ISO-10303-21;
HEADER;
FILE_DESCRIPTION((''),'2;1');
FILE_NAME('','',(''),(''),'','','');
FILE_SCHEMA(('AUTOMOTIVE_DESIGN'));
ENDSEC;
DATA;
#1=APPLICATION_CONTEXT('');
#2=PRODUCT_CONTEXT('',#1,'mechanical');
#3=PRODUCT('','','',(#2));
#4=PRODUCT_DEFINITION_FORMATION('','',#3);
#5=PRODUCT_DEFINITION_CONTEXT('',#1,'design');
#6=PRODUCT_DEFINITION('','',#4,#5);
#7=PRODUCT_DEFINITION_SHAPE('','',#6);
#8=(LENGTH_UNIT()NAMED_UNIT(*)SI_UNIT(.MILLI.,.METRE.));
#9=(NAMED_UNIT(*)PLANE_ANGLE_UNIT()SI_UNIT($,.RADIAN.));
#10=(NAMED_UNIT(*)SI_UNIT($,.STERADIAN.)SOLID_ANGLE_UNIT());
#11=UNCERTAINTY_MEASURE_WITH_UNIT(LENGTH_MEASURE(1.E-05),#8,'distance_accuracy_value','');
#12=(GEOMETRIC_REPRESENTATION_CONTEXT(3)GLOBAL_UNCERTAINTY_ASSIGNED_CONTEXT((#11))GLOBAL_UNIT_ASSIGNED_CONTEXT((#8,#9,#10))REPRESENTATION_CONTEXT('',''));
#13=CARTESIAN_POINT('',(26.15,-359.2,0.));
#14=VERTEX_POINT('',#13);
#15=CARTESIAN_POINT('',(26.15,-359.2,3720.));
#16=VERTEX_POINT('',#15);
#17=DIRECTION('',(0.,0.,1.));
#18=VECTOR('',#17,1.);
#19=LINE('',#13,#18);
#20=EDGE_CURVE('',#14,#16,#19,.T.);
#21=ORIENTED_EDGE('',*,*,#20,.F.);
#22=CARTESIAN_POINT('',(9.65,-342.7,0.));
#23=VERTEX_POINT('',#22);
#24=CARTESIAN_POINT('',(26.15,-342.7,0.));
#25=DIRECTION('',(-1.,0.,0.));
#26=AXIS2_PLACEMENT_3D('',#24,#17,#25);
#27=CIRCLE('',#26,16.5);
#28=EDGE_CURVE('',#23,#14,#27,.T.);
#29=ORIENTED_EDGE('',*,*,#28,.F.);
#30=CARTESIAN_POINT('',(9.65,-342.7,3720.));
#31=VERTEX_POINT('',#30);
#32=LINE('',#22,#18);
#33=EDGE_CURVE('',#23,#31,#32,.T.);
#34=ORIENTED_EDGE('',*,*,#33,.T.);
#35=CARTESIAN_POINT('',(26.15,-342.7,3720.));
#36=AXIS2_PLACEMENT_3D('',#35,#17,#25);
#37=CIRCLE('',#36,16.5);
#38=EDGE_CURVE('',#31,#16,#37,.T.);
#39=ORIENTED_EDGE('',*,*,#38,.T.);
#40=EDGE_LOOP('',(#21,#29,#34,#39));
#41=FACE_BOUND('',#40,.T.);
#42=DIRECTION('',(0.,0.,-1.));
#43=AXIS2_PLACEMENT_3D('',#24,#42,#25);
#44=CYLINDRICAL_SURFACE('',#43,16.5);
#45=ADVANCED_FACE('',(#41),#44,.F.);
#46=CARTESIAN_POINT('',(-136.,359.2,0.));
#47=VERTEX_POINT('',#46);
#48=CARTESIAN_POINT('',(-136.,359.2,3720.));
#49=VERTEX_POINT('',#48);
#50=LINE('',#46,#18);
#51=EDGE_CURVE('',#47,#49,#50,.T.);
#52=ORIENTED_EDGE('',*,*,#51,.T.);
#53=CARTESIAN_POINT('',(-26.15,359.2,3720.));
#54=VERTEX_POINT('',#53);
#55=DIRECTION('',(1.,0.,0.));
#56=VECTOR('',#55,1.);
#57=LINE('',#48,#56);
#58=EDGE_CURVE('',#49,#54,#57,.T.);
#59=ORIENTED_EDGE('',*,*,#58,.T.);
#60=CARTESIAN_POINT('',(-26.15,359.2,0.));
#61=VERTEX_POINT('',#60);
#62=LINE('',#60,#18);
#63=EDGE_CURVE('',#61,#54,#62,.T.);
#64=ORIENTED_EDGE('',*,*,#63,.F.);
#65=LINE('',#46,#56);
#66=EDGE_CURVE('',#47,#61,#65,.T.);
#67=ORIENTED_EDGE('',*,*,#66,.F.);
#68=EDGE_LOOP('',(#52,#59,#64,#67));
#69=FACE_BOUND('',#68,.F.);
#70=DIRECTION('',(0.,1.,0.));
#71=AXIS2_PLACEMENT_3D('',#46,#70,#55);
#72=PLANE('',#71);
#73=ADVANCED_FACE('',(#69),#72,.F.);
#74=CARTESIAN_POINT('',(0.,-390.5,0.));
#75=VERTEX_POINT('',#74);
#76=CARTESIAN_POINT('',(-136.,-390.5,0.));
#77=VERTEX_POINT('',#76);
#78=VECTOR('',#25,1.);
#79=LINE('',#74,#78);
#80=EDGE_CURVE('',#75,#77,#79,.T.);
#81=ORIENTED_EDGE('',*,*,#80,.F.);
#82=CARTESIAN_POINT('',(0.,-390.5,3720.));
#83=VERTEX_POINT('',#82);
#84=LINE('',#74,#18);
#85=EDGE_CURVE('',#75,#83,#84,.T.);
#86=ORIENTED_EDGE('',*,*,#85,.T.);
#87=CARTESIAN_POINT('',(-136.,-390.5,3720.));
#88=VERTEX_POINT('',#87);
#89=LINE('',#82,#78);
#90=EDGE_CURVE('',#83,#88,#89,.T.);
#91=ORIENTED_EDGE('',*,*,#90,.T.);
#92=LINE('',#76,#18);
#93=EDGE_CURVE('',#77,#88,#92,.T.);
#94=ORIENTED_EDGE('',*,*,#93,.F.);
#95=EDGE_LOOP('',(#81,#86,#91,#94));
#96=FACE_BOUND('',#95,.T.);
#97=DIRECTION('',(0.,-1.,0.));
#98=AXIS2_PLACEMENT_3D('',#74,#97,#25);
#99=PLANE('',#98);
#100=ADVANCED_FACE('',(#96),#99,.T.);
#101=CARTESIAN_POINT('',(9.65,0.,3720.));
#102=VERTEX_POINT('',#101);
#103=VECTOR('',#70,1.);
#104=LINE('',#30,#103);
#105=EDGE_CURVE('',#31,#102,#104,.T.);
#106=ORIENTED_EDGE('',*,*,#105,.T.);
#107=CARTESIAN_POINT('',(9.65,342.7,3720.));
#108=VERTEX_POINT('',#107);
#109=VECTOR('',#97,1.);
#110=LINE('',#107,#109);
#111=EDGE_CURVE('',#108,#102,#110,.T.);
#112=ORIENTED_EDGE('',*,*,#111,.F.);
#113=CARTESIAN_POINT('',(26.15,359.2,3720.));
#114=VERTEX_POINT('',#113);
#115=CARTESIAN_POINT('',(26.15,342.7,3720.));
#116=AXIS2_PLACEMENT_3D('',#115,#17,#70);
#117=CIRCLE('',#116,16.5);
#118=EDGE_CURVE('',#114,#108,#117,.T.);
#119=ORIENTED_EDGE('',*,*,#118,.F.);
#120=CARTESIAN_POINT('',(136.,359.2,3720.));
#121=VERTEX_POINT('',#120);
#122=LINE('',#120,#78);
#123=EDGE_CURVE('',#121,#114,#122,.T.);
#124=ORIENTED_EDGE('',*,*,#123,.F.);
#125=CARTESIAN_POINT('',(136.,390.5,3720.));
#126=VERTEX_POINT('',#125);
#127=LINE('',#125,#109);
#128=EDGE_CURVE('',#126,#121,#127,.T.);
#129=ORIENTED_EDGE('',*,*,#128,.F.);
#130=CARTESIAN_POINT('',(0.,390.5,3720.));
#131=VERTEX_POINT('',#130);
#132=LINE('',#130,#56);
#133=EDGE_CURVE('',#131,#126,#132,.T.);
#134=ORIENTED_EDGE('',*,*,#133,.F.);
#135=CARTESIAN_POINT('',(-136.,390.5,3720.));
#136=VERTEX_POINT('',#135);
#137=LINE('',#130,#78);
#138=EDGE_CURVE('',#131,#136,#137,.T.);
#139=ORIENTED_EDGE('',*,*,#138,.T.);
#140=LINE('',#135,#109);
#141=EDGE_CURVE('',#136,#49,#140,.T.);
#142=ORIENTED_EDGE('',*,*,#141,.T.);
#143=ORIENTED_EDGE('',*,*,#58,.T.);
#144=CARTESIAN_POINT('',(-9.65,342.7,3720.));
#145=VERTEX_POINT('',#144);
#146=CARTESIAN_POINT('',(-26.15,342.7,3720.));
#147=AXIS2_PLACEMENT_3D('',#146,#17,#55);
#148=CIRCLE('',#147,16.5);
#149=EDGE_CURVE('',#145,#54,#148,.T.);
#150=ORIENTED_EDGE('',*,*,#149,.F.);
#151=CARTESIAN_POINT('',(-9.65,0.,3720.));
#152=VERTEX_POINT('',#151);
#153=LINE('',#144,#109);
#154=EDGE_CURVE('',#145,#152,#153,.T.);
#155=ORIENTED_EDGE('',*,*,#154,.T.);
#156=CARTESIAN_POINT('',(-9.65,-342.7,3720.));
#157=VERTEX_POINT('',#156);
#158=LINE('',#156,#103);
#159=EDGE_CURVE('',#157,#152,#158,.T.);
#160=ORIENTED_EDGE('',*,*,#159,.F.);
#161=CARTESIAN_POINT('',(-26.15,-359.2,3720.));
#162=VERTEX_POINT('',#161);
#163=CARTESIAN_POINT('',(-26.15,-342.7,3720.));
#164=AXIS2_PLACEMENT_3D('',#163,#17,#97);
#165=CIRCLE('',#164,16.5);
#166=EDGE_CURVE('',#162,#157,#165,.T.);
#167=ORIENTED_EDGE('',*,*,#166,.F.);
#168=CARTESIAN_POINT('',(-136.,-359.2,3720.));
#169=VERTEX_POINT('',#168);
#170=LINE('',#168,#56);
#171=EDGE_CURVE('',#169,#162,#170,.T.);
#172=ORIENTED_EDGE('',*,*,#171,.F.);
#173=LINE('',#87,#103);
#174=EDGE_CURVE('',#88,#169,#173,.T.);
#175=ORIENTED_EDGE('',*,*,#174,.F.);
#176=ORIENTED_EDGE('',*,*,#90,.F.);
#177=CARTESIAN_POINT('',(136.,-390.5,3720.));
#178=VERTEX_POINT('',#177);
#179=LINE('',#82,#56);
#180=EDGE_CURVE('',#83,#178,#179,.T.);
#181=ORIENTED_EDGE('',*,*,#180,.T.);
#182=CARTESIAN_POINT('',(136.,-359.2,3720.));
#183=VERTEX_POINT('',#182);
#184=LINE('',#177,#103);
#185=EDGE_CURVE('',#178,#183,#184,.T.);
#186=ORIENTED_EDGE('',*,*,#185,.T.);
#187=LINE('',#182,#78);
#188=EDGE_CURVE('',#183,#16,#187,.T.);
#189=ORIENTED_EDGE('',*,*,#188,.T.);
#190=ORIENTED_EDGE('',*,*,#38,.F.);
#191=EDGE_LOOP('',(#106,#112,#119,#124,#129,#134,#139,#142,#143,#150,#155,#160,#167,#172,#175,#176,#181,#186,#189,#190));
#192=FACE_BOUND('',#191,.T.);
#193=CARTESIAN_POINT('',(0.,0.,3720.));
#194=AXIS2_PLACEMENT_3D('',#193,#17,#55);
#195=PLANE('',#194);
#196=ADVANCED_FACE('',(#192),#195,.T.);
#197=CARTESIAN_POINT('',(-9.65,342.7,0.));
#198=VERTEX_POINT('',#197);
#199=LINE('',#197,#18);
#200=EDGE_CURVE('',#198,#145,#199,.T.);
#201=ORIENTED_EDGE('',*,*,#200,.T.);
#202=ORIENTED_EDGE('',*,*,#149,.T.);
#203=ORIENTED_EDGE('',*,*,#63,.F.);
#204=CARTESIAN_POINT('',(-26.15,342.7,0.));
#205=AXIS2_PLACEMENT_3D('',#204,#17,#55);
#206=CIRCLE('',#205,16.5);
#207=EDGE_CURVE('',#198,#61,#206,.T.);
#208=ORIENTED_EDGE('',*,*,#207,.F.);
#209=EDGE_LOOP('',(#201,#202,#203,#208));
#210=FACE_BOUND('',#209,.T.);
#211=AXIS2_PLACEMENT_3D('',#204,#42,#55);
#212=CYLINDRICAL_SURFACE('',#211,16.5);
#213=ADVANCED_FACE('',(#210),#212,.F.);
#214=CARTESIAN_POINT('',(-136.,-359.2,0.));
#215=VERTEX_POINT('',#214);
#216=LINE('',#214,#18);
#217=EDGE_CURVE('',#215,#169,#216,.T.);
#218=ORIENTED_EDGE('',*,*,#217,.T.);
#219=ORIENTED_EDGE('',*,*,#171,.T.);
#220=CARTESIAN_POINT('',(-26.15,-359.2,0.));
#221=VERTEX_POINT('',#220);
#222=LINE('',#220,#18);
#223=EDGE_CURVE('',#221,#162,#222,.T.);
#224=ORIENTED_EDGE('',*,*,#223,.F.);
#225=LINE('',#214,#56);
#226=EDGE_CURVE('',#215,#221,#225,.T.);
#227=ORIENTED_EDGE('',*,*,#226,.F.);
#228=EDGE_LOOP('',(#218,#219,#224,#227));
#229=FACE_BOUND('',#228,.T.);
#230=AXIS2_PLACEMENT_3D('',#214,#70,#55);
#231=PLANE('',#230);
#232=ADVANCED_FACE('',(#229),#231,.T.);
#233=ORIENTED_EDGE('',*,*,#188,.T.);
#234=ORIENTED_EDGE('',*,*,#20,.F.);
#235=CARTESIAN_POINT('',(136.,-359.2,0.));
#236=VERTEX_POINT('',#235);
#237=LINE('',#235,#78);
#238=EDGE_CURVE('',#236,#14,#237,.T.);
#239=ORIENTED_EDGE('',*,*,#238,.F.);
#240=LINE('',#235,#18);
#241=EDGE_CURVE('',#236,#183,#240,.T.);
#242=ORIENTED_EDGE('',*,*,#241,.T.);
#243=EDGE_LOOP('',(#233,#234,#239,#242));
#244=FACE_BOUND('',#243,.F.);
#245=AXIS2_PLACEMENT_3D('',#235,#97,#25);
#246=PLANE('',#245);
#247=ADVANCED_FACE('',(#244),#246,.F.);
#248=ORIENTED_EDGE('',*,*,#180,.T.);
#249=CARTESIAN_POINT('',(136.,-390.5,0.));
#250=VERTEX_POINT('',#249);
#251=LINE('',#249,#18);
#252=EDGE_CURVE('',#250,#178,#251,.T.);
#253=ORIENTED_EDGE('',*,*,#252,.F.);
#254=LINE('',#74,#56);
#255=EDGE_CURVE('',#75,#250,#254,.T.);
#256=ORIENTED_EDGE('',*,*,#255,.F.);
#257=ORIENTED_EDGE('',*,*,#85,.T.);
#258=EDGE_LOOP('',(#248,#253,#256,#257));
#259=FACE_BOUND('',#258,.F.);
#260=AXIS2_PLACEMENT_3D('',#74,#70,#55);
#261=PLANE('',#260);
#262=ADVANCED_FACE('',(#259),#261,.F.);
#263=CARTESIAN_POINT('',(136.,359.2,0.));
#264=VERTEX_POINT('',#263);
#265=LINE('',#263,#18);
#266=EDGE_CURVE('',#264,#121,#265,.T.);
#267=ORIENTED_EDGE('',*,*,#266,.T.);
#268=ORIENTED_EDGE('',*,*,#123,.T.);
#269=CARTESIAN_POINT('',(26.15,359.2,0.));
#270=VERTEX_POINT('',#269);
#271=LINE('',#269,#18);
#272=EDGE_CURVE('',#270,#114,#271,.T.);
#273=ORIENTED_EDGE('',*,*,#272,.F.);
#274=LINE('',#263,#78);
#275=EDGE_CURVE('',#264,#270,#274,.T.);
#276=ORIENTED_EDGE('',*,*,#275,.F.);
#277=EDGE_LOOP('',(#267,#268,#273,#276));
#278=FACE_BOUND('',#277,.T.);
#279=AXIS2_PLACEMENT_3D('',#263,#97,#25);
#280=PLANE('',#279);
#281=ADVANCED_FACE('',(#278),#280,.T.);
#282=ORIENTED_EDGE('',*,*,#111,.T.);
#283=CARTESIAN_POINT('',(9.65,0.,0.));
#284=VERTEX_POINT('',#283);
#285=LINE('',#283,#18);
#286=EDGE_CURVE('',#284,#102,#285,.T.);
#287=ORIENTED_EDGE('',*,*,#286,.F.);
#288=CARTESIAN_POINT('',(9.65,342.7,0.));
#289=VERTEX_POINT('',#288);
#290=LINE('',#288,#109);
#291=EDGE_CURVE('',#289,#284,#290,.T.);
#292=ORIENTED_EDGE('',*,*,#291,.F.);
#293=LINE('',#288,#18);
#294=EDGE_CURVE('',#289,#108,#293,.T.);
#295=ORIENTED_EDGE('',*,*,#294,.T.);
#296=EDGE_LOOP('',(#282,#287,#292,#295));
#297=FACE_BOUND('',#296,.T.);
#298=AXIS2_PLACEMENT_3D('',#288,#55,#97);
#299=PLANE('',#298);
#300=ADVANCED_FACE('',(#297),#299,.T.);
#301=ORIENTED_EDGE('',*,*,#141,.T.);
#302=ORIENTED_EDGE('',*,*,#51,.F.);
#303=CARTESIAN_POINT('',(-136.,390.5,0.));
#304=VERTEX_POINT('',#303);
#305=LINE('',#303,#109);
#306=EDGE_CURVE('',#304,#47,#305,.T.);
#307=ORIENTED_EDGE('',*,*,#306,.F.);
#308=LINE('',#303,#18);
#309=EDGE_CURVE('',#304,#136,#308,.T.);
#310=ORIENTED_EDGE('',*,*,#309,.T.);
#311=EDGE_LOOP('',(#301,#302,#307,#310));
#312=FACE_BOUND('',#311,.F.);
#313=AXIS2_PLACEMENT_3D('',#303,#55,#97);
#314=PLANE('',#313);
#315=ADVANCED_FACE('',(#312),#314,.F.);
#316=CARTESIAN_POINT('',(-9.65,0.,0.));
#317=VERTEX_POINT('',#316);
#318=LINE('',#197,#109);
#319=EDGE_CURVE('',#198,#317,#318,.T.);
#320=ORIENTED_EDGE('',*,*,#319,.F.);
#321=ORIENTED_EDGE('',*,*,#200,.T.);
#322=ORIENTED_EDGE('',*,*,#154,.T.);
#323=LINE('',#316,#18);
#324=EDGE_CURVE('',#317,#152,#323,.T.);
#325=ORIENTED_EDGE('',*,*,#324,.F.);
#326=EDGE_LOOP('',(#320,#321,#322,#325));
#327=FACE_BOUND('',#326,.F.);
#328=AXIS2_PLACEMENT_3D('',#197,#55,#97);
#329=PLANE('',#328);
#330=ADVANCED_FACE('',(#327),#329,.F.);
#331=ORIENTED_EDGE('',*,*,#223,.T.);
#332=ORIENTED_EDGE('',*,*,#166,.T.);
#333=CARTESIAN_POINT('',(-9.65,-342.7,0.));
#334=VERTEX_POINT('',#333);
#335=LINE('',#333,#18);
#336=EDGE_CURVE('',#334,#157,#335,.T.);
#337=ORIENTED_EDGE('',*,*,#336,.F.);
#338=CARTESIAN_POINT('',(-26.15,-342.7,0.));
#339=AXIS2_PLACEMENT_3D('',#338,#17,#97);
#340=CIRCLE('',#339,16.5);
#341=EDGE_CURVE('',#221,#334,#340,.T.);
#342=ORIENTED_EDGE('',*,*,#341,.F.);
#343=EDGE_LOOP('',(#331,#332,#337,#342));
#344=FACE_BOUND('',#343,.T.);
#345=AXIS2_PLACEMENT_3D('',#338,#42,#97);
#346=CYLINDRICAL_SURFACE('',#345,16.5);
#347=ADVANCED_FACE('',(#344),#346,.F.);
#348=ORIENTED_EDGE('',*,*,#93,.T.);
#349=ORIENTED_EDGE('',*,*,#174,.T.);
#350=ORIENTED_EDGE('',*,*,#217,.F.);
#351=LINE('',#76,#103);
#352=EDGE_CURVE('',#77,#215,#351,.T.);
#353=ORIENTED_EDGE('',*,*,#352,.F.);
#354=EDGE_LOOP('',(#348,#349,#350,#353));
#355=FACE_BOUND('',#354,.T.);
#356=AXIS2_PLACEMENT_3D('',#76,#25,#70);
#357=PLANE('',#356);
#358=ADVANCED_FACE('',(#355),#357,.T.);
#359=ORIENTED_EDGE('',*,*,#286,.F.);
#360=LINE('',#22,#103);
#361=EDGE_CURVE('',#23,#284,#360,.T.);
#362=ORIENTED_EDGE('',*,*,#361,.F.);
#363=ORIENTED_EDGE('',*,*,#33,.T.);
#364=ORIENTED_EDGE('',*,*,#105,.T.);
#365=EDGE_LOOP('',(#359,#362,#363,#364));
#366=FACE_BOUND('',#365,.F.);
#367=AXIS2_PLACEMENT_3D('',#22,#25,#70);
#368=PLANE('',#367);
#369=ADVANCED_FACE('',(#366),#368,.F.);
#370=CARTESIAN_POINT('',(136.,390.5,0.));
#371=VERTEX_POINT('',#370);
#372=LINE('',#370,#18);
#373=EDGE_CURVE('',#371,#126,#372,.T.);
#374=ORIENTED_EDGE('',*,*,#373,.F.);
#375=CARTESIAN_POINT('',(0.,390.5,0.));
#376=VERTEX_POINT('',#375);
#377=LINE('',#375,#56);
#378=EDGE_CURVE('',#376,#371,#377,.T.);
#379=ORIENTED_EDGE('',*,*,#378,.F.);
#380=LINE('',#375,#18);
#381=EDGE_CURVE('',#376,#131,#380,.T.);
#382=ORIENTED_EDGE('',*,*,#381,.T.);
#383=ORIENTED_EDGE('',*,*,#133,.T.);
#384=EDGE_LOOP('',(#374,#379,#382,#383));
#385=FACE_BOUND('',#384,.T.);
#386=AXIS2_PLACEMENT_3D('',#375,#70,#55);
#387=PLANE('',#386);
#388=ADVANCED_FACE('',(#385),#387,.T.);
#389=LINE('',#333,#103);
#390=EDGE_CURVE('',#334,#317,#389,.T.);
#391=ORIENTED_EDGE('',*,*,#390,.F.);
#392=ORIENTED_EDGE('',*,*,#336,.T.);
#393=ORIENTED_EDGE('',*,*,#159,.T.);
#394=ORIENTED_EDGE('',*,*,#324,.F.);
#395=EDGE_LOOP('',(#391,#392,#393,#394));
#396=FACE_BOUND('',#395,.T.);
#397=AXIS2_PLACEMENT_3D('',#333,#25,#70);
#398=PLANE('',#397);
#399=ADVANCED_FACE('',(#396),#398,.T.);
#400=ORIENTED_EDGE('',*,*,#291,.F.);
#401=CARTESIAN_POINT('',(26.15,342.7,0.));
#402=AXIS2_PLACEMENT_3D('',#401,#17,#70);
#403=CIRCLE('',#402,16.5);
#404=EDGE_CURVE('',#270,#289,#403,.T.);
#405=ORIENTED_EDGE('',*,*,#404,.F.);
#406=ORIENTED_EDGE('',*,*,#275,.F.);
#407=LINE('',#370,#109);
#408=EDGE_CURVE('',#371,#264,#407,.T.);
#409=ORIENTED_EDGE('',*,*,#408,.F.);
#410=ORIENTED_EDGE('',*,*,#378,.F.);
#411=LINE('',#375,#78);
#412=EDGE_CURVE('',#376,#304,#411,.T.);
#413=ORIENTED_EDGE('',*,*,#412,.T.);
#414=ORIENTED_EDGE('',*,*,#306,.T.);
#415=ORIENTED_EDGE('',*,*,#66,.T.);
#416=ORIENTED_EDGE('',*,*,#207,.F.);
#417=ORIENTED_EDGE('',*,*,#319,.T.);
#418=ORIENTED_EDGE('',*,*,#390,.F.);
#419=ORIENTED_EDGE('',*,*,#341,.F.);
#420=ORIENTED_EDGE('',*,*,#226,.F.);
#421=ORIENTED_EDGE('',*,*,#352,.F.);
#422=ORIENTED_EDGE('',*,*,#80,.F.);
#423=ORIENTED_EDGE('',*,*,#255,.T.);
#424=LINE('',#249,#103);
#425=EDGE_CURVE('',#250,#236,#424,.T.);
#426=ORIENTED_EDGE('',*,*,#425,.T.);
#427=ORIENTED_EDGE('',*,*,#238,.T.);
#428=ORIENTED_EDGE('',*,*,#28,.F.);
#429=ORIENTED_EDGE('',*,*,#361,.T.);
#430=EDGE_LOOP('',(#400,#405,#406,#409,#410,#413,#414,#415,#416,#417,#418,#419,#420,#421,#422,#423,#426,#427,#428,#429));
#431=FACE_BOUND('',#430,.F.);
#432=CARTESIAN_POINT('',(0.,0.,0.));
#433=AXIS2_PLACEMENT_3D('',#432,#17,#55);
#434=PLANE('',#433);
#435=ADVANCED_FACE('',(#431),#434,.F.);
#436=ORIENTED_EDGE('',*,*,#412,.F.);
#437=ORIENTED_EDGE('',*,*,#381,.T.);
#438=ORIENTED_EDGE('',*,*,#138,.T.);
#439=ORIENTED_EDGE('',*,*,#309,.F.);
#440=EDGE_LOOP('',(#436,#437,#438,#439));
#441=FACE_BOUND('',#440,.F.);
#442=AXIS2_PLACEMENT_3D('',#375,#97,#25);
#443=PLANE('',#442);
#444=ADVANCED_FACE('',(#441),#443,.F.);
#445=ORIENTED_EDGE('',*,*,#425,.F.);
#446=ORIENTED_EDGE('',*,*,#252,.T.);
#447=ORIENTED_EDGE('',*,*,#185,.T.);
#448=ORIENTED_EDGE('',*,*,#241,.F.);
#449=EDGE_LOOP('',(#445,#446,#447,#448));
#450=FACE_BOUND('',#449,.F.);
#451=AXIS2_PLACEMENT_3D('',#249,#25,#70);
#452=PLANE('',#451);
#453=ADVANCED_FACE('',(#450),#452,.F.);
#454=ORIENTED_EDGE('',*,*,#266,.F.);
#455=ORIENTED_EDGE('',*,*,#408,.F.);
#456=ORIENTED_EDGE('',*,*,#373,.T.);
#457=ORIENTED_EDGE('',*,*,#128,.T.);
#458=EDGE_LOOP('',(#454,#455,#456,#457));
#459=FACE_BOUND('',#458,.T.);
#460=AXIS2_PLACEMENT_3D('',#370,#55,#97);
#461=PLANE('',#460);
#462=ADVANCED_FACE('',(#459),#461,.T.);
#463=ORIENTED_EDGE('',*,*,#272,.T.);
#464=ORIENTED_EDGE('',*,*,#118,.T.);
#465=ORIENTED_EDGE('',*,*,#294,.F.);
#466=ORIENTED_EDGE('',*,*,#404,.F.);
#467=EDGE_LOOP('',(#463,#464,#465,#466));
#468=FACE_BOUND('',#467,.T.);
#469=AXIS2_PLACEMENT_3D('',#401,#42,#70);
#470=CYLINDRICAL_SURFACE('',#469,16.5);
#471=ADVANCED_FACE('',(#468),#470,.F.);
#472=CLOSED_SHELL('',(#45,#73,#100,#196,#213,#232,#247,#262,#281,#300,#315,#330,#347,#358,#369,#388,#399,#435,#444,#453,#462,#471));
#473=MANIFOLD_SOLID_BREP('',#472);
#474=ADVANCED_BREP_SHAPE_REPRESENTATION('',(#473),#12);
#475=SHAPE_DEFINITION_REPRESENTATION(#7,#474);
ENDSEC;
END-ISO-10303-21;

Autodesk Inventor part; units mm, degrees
ref_plane "YZ Plane" through (0, 0, 0) normal (1, 0, 0) x (0, 1, 0)
ref_plane "Start plane" through (0, 0, 0) normal (0, 0, 1) x (1, 0, 0)
ref_plane "End plane" through (0, 0, 3720) normal (0, 0, 1) x (1, 0, 0)
sketch "Sketch" plane through (0, 0, 0) normal (0, 0, 1) x (1, 0, 0)
  line L0 (-136, -390.5) -> (-136, -359.2)
  line L1 (-136, -359.2) -> (-26.15, -359.2)
  line L2 (-9.65, -342.7) -> (-9.65, 0)
  line L3 (-9.65, 0) -> (0, 0) construction
  line L4 (0, 0) -> (0, -390.5) construction
  line L5 (0, -390.5) -> (-136, -390.5)
  line L6 (-60, 0) -> (80, 0) construction
  line L7 (0, -60) -> (0, 80) construction
  line L8 (136, -390.5) -> (136, -359.2)
  line L9 (136, -359.2) -> (26.15, -359.2)
  line L10 (9.65, -342.7) -> (9.65, 0)
  line L11 (9.65, 0) -> (0, 0) construction
  line L12 (0, -390.5) -> (136, -390.5)
  line L13 (-136, 390.5) -> (-136, 359.2)
  line L14 (-136, 359.2) -> (-26.15, 359.2)
  line L15 (-9.65, 342.7) -> (-9.65, 0)
  line L16 (0, 390.5) -> (-136, 390.5)
  line L17 (136, 390.5) -> (136, 359.2)
  line L18 (136, 359.2) -> (26.15, 359.2)
  line L19 (0, 390.5) -> (136, 390.5)
  line L20 (9.65, 342.7) -> (9.65, 0)
  arc A0 (-9.65, 342.7) -> (-26.15, 359.2) centre (-26.15, 342.7) ccw
  arc A1 (26.15, 359.2) -> (9.65, 342.7) centre (26.15, 342.7) ccw
  arc A2 (9.65, -342.7) -> (26.15, -359.2) centre (26.15, -342.7) ccw
  arc A3 (-26.15, -359.2) -> (-9.65, -342.7) centre (-26.15, -342.7) ccw
  line L21 (0, 108) -> (0, -88) construction
  line L22 (-88, 0) -> (108, 0) construction
  point P0 (-9.65, -359.2)
  point P1 (9.65, -359.2)
  point P2 (-9.65, 359.2)
  point P3 (9.65, 359.2)
  dimension "d1" = 390.5
  dimension "d2" = 31.3
  dimension "d3" = 136
  dimension "d4" = 9.65
  dimension "d10" = 16.5
extrude "Body" add sketch "Sketch" along normal up to surface (3720 mm away) from surface at 0
sketch "Sketch4" plane through (0, 0, 0) normal (0, 0, 1) x (1, 0, 0)
  line L0 (0, 0) -> (10, 0)
ref_plane "Work Plane3" through (0, 0, 0) normal (0, -1, 0) x (1, 0, 0)
sketch "Sketch5" plane through (0, 0, 0) normal (0, -1, 0) x (1, 0, 0)
  line L0 (-2, 0) -> (12, 0) projected
  line L1 (-2, 3720) -> (12, 3720) projected
  dimension "d14" = 3720
equation "\"d1\" = 0.5 * G_H"
equation "\"d2\" = G_T1"
equation "\"d3\" = 0.5 * G_W"
equation "\"d4\" = 0.5 * G_T"
equation "\"d10\" = G_IR"
equation "\"d5\" = G_L"
equation "\"G_W\" = 272"
equation "\"G_H\" = 781"
equation "\"G_T\" = 19.3"
equation "\"G_T1\" = 31.3"
equation "\"G_IR\" = 16.5"
equation "\"G_L\" = d14"
equation "\"G_OFFSET_START\" = 0"
equation "\"G_OFFSET_END\" = 0"
properties part number "AS 3679-1990 - 760 UB - 244 - 3720" material "Steel, Mild"
